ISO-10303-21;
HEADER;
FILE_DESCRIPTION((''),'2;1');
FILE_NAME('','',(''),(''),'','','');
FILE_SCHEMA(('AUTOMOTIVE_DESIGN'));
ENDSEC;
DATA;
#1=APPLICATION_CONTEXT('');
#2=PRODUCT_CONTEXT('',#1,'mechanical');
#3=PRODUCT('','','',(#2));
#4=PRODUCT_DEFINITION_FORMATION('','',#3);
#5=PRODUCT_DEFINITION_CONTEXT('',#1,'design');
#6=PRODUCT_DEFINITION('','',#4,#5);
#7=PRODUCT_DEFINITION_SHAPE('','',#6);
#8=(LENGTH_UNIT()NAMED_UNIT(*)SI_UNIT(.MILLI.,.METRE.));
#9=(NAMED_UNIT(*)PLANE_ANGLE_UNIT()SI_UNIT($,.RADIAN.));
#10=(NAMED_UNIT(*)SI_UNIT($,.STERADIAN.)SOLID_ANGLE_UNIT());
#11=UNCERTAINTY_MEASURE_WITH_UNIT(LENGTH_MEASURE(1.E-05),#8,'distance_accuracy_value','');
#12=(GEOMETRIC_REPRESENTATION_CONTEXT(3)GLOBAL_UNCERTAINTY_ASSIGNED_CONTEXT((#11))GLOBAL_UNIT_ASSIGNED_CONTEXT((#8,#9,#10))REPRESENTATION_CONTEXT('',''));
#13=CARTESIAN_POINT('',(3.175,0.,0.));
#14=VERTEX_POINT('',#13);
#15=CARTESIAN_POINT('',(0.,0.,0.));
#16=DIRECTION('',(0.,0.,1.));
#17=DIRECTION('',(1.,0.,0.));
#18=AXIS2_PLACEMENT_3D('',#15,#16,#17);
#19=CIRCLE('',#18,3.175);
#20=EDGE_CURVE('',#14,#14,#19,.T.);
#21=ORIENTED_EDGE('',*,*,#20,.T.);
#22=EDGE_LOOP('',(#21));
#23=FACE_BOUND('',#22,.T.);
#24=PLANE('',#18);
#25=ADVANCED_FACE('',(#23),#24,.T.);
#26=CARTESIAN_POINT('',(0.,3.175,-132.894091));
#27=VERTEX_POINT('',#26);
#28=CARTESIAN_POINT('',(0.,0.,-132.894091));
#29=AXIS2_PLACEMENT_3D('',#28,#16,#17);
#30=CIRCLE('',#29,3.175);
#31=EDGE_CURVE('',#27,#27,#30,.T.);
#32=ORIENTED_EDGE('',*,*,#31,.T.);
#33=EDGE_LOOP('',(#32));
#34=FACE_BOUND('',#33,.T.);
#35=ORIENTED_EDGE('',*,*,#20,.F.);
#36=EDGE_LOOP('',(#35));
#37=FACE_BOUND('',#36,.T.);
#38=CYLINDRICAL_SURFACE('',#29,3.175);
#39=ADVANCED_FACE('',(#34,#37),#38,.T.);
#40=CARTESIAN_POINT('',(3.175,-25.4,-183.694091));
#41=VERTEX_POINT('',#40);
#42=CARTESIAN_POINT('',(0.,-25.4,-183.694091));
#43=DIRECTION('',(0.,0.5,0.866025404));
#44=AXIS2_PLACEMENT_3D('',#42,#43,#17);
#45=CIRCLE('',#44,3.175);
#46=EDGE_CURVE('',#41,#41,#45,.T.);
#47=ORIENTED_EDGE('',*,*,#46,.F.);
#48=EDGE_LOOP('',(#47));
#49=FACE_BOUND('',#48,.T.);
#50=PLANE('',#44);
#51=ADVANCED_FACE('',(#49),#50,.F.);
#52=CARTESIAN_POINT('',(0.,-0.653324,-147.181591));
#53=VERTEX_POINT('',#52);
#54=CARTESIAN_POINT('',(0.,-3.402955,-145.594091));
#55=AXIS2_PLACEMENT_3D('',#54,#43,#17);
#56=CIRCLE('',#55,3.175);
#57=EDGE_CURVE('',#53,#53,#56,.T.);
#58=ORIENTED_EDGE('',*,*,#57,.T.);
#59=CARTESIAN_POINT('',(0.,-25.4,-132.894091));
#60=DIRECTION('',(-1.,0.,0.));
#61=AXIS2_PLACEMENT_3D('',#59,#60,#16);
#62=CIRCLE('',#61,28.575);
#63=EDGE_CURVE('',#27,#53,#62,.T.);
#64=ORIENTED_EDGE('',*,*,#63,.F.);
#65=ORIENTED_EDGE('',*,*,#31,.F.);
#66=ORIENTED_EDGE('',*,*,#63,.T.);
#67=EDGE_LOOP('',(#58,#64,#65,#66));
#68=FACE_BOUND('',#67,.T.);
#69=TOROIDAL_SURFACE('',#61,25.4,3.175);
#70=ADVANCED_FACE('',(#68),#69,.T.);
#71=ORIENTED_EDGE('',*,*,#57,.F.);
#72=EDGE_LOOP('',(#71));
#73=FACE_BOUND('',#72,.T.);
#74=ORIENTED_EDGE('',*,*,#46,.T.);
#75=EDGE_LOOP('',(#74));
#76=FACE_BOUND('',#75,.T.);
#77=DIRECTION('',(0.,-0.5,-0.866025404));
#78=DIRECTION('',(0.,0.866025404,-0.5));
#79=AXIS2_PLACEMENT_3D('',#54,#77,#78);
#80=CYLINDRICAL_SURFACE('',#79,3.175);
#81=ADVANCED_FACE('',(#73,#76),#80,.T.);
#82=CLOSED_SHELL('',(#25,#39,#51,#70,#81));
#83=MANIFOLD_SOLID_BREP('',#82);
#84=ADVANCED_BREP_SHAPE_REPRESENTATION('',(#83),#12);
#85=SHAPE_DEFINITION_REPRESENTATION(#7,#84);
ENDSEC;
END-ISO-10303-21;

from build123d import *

# Parameters (mm, degrees)
SKETCH2_R = 3.175


with BuildPart() as part:
    # Sweep1: sweep along a path in Sketch4
    with BuildLine(Plane(origin=(0, 0, 0), x_dir=(0, 0, -1), z_dir=(1, 0, 0))) as sweep1_path:
        Line((0, 0), (132.894090512, 0))
        ThreePointArc((132.894090512, 0), (139.468094258, -0.865484012), (145.594090512, -3.402954744))
        Line((145.594090512, -3.402954744), (183.694090512, -25.4))
    # Sketch2 → Sweep1 (sweep)
    with BuildSketch(Plane.XY):
        Circle(SKETCH2_R)
    sweep(path=sweep1_path.line)


solid = part.part
